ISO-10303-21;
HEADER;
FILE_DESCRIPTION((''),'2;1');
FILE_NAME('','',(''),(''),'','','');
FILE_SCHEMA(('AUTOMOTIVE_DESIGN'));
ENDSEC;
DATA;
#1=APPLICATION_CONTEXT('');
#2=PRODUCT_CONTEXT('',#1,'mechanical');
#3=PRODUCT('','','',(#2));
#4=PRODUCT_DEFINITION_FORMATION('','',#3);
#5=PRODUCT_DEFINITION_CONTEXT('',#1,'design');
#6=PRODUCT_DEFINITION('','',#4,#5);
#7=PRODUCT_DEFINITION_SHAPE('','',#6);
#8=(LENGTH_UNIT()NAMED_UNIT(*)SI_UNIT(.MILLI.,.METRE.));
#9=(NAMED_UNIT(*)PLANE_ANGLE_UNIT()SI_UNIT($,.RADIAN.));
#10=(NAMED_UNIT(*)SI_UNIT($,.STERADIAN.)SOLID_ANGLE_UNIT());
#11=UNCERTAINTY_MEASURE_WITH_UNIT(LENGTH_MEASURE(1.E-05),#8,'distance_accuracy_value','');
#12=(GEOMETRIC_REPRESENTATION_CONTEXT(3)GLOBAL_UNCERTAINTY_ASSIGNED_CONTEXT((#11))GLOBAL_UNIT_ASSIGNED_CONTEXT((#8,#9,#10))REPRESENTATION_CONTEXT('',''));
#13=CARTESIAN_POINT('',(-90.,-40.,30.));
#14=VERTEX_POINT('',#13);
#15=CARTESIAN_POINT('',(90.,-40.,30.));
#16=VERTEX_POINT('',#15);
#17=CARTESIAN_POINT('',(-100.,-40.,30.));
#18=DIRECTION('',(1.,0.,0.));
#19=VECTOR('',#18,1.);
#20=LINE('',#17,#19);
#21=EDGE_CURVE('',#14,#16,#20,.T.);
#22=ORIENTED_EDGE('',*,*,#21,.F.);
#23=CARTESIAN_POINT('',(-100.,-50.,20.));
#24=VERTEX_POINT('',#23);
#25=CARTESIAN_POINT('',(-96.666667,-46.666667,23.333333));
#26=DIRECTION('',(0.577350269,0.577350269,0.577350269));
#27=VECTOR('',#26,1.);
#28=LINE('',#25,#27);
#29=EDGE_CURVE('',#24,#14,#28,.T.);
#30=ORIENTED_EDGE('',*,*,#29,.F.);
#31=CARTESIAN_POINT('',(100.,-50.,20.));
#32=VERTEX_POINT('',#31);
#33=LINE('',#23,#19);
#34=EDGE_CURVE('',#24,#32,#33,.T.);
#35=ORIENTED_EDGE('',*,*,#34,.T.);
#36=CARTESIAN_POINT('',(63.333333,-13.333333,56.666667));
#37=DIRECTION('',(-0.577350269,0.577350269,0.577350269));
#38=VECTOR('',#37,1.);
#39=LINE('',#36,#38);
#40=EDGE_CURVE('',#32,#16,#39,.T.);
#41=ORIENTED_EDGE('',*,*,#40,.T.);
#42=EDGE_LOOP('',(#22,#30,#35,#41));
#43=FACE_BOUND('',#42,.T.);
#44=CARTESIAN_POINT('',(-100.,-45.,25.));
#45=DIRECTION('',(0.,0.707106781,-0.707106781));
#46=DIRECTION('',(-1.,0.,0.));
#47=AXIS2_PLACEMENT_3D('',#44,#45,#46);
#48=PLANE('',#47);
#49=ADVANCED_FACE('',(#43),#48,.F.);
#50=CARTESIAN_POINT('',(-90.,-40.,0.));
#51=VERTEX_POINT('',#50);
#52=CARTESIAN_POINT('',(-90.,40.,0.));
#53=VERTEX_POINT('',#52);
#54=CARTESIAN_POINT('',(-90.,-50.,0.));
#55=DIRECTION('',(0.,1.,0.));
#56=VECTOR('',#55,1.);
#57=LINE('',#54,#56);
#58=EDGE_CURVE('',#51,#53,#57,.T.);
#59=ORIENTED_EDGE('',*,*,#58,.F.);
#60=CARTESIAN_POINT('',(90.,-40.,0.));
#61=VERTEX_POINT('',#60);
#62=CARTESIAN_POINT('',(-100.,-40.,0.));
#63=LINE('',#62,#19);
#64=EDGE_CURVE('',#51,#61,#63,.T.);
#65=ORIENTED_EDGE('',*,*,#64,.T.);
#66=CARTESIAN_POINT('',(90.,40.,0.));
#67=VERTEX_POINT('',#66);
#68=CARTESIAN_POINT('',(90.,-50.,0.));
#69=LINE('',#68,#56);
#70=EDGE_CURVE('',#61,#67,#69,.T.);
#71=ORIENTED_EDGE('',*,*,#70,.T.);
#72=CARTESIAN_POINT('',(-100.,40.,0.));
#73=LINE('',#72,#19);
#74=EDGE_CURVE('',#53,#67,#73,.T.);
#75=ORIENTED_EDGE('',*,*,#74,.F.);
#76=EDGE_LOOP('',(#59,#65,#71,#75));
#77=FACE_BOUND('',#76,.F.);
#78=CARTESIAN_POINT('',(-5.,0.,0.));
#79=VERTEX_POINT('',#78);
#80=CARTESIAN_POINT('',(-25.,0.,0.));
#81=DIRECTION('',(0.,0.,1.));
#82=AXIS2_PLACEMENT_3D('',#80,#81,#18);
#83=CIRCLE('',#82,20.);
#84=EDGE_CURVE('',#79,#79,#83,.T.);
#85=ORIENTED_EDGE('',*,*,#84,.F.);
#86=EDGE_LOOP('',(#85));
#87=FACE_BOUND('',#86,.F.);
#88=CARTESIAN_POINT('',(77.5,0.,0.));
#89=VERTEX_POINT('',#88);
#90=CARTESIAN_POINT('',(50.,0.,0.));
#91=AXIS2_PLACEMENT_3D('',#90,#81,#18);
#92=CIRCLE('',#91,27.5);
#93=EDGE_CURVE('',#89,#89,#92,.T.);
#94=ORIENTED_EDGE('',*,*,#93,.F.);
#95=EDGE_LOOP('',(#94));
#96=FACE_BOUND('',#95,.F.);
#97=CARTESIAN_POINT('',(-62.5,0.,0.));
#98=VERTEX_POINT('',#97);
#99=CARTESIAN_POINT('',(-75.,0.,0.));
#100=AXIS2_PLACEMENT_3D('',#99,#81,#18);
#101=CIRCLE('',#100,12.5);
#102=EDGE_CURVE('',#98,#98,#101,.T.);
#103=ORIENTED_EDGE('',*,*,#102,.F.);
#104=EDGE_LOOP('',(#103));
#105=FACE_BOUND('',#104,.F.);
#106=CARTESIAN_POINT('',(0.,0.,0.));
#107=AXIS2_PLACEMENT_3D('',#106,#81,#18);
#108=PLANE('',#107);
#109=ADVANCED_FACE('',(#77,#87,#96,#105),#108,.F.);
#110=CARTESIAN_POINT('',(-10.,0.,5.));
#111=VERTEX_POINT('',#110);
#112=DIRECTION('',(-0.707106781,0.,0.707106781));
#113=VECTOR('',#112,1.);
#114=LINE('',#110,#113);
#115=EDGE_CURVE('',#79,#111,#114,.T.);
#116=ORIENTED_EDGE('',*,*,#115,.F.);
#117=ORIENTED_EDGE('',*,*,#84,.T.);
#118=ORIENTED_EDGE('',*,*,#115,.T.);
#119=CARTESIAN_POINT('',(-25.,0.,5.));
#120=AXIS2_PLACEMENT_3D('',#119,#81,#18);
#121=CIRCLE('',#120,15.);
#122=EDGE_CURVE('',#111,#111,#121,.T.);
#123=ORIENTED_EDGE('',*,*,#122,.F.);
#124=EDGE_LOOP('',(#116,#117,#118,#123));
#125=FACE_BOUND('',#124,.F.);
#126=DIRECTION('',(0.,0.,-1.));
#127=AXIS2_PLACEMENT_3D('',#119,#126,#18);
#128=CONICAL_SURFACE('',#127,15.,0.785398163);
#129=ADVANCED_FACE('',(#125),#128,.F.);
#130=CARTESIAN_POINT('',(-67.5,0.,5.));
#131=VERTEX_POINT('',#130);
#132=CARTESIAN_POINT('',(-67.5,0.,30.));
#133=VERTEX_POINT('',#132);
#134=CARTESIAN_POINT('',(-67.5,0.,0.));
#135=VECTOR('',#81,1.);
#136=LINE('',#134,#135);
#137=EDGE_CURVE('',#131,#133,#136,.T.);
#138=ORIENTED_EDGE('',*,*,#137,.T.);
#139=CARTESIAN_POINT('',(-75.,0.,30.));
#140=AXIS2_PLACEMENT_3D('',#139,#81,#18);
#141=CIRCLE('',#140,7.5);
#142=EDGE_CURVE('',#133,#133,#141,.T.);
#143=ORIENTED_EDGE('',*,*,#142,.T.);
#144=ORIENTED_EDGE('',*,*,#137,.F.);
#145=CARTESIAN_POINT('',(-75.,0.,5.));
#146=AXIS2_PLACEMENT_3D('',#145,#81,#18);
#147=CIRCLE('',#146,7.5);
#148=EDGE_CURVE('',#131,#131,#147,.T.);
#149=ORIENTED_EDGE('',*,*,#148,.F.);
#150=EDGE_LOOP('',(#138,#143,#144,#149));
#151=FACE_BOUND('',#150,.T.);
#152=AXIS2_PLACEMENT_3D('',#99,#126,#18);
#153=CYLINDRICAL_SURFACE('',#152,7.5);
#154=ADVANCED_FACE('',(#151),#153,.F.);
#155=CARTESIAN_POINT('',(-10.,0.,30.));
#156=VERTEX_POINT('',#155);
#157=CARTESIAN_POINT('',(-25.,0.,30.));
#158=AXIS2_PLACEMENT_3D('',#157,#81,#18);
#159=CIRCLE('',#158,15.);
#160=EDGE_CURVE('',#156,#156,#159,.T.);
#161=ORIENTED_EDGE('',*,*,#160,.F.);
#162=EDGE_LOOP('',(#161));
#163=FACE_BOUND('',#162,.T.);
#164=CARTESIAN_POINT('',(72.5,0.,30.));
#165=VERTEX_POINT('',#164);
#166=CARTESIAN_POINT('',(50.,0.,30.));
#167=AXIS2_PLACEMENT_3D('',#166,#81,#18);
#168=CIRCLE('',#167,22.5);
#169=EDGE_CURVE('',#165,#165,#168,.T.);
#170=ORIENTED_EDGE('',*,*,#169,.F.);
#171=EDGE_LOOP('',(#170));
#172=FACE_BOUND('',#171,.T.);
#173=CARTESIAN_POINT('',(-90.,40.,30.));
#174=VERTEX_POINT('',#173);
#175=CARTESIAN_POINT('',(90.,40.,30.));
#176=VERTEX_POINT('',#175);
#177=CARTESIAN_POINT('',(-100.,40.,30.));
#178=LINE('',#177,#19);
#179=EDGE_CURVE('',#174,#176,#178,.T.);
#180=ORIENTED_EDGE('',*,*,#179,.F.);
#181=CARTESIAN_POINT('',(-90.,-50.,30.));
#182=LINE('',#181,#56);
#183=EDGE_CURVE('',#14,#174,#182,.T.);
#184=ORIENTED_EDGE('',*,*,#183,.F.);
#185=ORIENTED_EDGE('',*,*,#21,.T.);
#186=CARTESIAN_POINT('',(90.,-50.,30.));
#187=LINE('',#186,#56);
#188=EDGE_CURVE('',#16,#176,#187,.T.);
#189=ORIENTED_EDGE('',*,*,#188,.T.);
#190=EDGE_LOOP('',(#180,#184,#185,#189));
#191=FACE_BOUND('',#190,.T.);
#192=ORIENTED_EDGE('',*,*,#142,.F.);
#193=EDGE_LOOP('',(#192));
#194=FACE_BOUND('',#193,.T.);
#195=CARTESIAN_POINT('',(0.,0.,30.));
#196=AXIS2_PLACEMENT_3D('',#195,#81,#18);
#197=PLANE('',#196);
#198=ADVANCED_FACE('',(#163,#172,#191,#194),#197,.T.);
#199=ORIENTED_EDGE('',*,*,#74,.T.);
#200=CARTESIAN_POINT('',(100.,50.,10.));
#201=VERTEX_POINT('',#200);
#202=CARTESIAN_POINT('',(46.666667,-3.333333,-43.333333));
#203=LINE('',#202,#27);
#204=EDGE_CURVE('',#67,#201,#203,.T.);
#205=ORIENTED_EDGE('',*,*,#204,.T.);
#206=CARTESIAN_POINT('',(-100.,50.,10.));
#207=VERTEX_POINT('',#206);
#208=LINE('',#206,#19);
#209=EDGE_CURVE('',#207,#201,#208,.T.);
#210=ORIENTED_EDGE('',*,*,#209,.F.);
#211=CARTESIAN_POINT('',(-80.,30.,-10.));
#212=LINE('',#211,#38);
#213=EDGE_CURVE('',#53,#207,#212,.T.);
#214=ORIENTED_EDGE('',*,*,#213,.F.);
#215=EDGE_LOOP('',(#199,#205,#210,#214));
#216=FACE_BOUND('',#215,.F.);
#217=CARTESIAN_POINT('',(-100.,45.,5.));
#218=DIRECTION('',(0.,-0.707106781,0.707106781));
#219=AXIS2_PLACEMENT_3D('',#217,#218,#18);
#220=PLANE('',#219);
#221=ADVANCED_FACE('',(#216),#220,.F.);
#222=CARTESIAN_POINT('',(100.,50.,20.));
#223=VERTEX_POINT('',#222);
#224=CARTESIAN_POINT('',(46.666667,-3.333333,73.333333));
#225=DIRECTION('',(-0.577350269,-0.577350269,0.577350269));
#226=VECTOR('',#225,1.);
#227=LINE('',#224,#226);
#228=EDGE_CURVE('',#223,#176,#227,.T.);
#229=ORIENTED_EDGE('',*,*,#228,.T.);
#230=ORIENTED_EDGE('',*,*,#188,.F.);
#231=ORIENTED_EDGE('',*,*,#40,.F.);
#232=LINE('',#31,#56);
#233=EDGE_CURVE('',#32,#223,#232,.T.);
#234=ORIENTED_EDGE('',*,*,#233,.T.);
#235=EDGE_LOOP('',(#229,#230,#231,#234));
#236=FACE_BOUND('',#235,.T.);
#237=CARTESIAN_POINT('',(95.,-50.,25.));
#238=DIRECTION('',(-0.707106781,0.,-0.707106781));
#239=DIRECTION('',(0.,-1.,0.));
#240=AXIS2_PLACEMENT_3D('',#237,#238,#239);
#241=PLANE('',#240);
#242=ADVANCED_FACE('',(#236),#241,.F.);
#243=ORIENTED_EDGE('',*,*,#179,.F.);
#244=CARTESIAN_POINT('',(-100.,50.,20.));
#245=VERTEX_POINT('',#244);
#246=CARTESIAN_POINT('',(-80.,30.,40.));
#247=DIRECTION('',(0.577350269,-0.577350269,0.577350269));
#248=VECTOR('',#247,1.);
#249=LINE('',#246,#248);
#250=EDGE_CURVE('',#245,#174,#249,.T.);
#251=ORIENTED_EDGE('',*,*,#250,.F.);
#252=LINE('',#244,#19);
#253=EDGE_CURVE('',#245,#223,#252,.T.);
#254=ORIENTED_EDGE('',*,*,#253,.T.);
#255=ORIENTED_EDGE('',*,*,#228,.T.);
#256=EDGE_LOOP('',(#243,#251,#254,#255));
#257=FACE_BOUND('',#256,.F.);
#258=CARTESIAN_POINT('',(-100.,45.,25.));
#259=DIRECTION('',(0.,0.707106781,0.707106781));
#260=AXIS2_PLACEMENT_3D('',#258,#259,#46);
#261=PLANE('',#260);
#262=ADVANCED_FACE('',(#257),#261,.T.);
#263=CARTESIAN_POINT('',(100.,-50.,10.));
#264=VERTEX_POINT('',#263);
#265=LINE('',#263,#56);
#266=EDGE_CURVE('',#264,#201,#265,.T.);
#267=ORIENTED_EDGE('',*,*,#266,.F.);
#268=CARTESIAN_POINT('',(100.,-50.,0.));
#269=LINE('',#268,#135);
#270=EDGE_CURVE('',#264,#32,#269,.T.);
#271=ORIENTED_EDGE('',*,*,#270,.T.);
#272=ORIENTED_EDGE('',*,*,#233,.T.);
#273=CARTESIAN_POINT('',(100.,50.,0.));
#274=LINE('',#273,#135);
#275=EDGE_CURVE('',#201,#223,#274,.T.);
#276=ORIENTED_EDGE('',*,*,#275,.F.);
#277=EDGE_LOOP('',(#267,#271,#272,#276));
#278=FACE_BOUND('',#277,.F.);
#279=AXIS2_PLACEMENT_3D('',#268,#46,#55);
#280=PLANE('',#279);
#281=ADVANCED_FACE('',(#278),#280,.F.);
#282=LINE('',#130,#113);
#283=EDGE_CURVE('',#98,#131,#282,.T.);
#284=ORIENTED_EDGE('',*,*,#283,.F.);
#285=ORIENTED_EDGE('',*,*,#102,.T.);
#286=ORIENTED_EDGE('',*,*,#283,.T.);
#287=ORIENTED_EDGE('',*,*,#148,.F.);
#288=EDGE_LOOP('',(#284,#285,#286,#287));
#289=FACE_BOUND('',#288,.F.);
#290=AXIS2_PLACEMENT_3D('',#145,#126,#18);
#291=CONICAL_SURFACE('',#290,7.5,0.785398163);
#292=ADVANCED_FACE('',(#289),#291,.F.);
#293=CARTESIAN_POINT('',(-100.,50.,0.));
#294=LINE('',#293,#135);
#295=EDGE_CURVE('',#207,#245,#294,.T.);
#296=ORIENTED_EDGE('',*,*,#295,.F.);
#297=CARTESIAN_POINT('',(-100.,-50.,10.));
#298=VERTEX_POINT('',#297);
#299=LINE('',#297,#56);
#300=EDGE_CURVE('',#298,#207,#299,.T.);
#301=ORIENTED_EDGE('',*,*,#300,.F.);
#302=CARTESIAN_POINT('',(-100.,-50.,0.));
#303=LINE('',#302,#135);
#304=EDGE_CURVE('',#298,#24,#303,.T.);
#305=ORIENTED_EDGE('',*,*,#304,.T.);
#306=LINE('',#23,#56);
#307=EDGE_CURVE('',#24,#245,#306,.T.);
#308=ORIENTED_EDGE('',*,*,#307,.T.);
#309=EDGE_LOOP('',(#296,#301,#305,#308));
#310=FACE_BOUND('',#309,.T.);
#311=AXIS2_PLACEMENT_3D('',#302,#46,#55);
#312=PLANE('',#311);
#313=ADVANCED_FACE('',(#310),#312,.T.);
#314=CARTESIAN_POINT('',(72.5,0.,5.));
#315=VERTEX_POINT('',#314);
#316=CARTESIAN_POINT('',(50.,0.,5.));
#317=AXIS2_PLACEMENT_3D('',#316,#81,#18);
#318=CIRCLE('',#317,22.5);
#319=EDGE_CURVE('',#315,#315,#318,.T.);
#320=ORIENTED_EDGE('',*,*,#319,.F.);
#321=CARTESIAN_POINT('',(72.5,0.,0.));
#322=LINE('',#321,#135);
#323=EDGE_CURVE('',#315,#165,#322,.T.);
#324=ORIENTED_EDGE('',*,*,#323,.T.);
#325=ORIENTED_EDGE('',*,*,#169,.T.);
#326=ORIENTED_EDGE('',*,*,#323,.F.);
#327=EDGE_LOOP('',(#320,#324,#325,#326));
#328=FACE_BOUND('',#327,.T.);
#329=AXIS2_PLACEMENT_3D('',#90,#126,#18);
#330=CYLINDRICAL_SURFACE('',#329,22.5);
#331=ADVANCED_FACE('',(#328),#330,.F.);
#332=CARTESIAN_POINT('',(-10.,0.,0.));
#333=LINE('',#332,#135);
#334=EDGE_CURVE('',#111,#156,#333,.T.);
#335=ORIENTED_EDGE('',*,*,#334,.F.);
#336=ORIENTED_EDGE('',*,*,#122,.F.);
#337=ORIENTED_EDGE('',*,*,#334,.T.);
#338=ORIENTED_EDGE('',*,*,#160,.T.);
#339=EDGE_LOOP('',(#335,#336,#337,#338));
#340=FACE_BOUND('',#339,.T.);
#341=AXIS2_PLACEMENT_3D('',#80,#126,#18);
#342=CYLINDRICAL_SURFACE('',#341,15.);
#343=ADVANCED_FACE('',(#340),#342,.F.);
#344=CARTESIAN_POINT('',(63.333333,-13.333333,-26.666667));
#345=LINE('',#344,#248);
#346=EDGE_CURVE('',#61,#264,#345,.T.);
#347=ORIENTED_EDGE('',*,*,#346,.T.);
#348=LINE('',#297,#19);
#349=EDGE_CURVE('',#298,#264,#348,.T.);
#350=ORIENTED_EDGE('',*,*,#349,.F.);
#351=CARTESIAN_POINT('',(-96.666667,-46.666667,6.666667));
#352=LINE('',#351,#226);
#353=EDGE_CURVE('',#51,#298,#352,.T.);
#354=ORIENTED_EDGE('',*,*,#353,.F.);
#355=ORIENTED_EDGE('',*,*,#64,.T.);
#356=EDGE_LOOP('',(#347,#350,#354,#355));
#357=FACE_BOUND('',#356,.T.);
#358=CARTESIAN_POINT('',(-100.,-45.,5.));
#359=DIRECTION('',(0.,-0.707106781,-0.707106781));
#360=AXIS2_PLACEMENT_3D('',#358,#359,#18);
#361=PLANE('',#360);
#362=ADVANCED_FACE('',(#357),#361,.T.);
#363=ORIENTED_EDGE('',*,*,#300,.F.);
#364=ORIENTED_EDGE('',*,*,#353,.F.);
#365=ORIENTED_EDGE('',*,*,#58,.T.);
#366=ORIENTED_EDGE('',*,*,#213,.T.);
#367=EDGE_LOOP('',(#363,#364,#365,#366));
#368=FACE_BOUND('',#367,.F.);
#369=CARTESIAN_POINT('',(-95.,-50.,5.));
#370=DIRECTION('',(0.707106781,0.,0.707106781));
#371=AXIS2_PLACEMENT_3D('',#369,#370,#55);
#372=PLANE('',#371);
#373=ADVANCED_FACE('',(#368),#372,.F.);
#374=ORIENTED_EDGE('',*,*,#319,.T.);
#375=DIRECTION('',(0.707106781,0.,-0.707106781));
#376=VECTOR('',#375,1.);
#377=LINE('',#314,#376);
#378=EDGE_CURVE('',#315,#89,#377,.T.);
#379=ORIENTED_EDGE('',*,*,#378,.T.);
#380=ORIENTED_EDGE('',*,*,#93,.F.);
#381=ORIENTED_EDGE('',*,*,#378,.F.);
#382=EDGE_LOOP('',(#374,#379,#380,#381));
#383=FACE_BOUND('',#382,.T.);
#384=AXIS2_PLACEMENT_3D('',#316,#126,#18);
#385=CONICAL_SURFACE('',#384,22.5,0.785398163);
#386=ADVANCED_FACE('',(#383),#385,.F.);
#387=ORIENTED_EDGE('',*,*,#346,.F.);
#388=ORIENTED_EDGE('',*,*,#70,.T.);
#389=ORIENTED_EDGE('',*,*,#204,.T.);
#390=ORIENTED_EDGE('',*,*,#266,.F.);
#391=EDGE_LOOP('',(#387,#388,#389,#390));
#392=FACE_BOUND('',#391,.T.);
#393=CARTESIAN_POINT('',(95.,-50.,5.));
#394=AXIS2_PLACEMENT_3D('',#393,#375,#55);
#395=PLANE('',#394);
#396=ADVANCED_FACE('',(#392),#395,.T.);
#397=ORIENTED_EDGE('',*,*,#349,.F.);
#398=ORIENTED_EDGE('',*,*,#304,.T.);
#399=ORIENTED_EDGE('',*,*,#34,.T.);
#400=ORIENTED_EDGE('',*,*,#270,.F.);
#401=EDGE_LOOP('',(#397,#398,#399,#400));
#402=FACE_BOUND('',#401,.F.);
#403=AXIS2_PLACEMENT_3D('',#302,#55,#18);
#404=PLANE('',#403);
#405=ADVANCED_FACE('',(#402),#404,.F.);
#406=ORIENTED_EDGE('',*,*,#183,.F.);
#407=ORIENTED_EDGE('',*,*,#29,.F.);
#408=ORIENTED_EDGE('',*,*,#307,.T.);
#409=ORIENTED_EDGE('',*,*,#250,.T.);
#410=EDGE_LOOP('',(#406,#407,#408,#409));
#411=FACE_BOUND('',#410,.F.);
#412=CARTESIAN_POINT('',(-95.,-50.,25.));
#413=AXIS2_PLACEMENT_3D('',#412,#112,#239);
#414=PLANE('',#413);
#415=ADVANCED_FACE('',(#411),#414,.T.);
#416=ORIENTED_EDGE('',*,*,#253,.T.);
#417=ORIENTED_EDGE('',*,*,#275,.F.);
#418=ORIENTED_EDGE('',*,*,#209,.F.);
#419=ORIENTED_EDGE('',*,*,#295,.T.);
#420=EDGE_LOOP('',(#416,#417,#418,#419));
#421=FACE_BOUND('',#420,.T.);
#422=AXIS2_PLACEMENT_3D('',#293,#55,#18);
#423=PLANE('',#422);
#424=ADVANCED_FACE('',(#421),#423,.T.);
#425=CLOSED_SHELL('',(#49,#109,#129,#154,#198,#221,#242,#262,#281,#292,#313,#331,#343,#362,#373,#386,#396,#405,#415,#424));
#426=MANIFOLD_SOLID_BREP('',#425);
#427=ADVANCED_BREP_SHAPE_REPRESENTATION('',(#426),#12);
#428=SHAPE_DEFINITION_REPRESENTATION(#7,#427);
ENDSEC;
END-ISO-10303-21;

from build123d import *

# Parameters (mm, degrees)
F0_W     = 200
F0_H     = 100
F0_R     = 7.5
F0_R_2   = 15
F0_R_3   = 22.5
F1_DEPTH = 30
F2_SIZE2 = 5
F2_SIZE  = 5
F3_SIZE2 = 5
F3_SIZE  = 5
F4_SIZE2 = 5
F4_SIZE  = 5
F5_SIZE2 = 10
F5_SIZE  = 10


with BuildPart() as f1:
    # F0 (on Top) → F1 (new body)
    with BuildSketch(Plane.XY):
        Rectangle(F0_W, F0_H)
        with Locations((-75, 0)):
            Circle(F0_R, mode=Mode.SUBTRACT)
        with Locations((-25, 0)):
            Circle(F0_R_2, mode=Mode.SUBTRACT)
        with Locations((50, 0)):
            Circle(F0_R_3, mode=Mode.SUBTRACT)
    extrude(amount=F1_DEPTH)

    # F2
    f2_edges = [f1.edges().sort_by_distance(p)[0] for p in [
        (27.5, 0, 0),
    ]]
    chamfer(f2_edges, length=F2_SIZE, length2=F2_SIZE2)

    # F3
    f3_edges = [f1.edges().sort_by_distance(p)[0] for p in [
        (-40, 0, 0),
    ]]
    chamfer(f3_edges, length=F3_SIZE, length2=F3_SIZE2)

    # F4
    f4_edges = [f1.edges().sort_by_distance(p)[0] for p in [
        (-82.5, 0, 0),
    ]]
    chamfer(f4_edges, length=F4_SIZE, length2=F4_SIZE2)

    # F5
    f5_edges = [f1.edges().sort_by_distance(p)[0] for p in [
        (0, 50, 0),
        (-100, 0, 0),
        (0, -50, 0),
        (100, 0, 0),
        (0, 50, 30),
        (100, 0, 30),
        (0, -50, 30),
        (-100, 0, 30),
    ]]
    chamfer(f5_edges, length=F5_SIZE, length2=F5_SIZE2)


solid = f1.part
